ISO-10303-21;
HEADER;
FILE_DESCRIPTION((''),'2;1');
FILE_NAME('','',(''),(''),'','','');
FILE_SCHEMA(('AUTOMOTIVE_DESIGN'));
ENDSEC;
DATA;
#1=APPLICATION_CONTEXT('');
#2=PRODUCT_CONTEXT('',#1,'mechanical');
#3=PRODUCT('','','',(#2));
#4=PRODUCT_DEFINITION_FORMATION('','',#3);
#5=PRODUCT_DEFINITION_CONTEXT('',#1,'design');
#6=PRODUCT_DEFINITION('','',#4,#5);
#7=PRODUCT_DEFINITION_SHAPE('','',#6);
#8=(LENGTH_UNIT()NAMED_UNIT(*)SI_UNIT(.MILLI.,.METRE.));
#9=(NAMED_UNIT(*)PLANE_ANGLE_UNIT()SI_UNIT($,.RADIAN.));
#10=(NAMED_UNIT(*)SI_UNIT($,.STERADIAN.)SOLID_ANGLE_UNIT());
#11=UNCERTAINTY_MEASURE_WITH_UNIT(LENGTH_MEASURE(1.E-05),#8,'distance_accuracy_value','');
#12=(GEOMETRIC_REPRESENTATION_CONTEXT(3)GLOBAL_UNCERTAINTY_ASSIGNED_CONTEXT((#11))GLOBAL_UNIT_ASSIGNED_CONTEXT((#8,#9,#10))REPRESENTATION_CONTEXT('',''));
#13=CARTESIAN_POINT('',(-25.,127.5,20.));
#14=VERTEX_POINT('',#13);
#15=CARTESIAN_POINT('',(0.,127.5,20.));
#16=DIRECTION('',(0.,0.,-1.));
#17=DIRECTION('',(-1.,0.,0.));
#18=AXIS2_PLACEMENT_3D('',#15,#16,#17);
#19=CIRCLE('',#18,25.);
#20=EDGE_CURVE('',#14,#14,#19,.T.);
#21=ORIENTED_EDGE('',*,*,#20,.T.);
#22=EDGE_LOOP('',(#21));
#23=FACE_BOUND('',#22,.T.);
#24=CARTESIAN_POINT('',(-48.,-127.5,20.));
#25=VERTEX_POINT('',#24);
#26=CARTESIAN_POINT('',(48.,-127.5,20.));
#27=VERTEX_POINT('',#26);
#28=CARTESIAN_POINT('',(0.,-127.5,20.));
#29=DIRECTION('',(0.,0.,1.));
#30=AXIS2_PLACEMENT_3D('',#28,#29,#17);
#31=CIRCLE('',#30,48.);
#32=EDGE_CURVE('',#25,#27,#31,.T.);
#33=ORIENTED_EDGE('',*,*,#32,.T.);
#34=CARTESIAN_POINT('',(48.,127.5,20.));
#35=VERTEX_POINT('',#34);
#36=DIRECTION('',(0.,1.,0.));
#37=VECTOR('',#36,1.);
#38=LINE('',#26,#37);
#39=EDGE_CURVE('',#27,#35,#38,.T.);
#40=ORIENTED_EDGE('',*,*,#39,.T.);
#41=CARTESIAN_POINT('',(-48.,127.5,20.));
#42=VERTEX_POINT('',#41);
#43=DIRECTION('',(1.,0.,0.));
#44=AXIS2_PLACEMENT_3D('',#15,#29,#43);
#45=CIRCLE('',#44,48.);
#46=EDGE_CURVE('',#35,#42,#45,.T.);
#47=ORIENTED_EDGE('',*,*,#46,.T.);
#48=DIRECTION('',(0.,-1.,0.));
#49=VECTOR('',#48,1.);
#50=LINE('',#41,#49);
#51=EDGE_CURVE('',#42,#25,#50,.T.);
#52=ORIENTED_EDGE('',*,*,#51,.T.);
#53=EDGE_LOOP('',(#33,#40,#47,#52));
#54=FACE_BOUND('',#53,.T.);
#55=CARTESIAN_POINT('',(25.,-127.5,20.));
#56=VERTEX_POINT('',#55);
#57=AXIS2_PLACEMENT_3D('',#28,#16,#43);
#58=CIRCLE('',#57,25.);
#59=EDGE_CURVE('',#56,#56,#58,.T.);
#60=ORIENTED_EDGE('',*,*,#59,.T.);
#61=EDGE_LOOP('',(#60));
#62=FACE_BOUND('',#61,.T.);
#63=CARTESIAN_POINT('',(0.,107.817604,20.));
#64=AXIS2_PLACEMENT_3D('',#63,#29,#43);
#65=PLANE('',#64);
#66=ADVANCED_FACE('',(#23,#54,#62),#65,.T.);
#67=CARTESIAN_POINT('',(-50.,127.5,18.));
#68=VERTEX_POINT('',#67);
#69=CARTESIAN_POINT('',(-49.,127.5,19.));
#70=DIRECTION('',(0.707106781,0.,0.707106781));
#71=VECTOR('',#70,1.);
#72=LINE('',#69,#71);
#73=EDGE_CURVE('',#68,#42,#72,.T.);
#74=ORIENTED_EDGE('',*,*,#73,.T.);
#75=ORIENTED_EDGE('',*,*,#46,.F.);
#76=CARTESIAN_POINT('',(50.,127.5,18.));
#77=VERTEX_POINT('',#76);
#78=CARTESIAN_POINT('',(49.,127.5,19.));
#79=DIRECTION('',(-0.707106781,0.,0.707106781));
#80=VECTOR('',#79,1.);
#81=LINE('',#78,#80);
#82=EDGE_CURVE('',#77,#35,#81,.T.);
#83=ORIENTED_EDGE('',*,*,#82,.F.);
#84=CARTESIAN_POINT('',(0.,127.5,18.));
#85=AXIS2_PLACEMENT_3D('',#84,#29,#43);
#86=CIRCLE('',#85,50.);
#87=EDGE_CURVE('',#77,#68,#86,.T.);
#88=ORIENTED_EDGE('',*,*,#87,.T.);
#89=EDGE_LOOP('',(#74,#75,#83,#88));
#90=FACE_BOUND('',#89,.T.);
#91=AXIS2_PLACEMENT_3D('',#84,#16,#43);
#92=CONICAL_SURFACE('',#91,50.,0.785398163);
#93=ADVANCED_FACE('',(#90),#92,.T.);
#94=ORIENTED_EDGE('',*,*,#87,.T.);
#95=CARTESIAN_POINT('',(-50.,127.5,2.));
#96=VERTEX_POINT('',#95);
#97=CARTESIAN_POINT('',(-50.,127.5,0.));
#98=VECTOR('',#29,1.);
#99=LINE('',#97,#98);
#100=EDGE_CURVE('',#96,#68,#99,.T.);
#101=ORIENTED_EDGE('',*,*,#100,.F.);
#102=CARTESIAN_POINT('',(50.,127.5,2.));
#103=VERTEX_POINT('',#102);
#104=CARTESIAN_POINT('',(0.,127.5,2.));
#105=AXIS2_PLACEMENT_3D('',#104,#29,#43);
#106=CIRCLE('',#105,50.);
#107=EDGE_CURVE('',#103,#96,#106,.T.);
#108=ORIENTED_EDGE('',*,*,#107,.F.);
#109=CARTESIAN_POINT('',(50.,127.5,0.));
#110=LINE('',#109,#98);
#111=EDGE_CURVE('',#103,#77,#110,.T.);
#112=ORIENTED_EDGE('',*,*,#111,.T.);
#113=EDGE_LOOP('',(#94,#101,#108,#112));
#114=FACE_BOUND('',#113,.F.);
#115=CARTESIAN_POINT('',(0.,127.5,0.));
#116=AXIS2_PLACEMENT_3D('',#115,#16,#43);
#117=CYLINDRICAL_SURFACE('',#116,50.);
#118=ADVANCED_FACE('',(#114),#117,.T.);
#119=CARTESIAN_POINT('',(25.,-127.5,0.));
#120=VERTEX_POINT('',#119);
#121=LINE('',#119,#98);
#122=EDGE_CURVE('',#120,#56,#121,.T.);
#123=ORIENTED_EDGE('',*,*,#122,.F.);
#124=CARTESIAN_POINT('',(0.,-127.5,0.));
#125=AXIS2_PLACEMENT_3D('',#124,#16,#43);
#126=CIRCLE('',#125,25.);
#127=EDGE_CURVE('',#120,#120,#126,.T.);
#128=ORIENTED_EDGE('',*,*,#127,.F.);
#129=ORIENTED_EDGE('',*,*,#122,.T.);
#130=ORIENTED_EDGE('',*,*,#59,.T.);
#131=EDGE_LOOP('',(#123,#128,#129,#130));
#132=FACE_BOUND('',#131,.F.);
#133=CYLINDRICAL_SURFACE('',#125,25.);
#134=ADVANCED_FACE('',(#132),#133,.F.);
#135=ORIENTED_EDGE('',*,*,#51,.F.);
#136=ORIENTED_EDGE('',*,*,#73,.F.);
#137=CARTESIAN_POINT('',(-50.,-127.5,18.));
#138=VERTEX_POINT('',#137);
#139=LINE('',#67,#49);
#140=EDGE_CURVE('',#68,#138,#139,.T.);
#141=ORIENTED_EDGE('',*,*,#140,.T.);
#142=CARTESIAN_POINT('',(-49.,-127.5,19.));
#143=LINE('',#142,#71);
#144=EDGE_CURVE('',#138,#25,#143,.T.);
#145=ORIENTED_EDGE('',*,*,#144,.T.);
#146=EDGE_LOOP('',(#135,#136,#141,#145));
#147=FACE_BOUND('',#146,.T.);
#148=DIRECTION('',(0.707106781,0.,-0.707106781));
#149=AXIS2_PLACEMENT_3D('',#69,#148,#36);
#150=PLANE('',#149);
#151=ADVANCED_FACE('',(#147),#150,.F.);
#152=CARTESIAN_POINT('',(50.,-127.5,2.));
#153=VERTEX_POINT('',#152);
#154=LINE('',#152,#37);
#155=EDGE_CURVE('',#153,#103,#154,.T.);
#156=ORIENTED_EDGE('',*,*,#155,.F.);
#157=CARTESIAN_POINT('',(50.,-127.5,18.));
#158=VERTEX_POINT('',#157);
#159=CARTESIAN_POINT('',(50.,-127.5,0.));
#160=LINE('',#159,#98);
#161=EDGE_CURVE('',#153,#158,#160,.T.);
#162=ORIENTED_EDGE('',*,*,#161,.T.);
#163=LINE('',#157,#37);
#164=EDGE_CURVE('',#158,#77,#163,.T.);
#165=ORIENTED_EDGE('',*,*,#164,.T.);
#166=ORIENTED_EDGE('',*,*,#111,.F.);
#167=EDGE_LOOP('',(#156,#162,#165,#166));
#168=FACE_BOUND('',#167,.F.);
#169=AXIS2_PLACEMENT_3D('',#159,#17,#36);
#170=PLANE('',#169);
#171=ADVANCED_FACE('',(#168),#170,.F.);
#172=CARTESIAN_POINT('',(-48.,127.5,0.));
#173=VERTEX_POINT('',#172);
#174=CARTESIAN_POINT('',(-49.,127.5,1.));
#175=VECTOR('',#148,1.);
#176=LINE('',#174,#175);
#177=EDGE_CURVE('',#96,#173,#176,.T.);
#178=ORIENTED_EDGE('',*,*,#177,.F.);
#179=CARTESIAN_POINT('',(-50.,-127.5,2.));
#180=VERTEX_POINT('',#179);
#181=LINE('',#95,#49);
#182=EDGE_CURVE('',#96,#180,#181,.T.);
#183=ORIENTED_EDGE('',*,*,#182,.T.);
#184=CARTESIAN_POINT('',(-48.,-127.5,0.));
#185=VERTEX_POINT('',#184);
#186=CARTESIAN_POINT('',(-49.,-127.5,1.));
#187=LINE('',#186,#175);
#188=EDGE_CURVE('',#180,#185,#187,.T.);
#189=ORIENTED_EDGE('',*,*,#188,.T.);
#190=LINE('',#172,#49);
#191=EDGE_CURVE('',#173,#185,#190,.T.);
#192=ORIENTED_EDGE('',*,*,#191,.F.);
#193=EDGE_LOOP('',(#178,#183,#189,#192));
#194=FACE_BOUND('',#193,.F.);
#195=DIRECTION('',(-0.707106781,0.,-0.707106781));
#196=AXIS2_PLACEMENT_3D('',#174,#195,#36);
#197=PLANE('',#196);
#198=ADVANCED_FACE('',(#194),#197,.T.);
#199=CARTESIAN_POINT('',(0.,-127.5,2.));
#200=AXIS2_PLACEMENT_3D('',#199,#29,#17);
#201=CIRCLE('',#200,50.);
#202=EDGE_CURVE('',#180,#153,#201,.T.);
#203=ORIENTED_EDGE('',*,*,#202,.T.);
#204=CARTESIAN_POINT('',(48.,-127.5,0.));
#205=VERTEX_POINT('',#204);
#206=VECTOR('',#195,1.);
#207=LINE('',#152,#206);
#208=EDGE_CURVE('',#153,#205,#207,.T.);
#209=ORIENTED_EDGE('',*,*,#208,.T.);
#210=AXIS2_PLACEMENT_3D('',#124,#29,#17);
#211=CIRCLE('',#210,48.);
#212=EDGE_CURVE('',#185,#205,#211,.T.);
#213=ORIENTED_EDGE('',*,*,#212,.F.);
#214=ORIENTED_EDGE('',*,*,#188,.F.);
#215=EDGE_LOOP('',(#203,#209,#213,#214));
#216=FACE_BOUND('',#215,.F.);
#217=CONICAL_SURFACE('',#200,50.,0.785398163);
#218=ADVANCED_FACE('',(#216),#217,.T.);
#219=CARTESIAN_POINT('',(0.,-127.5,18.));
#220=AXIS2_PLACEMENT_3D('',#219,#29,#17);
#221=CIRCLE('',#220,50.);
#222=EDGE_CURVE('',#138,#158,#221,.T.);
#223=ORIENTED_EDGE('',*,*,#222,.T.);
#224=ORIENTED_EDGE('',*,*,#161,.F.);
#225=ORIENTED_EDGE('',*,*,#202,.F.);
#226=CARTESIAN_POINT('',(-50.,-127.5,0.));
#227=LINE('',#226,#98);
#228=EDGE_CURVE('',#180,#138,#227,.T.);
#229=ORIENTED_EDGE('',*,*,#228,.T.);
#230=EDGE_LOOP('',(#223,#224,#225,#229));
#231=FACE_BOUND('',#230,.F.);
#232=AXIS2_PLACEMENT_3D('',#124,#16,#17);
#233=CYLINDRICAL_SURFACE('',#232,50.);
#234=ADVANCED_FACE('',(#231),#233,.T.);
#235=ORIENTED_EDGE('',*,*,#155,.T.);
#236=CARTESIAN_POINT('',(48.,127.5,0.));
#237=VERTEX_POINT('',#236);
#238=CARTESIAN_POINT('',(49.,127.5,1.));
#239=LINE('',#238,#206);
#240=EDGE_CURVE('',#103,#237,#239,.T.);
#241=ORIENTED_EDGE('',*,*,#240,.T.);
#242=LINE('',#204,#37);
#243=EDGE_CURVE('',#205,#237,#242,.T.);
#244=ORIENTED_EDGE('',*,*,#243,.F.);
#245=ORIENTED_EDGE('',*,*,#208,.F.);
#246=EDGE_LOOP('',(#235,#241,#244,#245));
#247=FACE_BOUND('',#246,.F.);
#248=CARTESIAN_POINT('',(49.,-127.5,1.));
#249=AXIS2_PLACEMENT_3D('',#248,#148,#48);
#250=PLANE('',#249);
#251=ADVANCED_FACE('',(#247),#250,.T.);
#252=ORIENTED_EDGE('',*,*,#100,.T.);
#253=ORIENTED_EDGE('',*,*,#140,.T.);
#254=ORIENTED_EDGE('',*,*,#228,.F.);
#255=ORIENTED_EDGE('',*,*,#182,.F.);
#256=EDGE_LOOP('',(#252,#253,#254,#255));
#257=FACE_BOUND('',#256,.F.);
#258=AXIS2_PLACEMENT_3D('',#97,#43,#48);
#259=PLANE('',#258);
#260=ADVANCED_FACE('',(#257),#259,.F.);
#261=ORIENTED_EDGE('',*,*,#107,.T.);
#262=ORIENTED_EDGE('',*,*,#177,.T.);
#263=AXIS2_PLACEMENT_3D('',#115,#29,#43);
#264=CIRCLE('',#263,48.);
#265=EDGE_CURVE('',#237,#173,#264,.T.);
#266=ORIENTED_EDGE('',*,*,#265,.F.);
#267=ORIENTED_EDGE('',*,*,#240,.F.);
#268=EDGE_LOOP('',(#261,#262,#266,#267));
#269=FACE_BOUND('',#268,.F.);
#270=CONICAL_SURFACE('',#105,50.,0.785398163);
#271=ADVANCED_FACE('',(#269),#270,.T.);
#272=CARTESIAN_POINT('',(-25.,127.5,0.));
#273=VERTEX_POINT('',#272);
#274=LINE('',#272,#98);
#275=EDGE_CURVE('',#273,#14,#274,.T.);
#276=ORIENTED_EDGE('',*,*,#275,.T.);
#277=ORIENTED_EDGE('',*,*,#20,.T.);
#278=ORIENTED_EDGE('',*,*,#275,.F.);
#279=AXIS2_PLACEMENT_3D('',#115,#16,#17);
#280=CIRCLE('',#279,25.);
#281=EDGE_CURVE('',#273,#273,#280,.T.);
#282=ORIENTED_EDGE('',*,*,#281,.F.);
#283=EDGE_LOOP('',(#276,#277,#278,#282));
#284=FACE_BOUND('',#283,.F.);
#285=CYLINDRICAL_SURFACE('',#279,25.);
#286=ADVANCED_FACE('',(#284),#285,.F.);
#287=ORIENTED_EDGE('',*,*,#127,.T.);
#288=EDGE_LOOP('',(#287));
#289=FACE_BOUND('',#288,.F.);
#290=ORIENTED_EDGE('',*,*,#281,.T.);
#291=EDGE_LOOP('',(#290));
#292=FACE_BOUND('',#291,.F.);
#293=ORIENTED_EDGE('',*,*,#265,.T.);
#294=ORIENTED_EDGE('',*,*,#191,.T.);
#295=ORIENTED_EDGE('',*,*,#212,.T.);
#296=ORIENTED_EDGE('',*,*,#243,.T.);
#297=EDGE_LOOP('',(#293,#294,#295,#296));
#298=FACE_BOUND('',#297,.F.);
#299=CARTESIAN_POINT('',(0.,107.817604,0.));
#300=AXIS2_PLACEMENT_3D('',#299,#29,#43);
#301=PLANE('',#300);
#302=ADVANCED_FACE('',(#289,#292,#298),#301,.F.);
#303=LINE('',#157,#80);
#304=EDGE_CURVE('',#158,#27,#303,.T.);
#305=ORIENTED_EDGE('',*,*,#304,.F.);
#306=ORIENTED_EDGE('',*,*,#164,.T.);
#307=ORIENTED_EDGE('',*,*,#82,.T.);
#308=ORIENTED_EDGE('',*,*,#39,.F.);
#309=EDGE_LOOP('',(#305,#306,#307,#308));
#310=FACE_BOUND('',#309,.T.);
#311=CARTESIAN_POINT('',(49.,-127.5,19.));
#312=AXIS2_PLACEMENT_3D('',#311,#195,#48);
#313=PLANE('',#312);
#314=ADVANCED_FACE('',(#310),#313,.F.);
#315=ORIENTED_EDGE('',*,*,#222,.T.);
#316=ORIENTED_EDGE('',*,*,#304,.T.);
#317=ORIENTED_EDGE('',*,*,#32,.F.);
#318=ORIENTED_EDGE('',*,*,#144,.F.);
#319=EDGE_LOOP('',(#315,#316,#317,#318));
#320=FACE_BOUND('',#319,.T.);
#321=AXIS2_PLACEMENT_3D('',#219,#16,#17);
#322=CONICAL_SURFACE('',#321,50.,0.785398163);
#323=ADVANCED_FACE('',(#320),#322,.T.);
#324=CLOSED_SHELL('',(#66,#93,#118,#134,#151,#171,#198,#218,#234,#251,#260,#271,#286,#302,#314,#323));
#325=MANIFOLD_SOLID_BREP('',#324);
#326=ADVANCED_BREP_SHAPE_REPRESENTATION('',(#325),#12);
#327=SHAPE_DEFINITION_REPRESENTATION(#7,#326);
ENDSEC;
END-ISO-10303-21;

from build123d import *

# Parameters (mm, degrees)
F1_DEPTH = 20
F2_SIZE2 = 2
F2_SIZE  = 2


with BuildPart() as f1:
    # F0 (on Top) → F1 (new body)
    with BuildSketch(Plane.XY):
        with BuildLine():
            ThreePointArc((-50, 127.5), (0, 77.5), (50, 127.5))
            Line((50, 127.5), (25, 127.5))
            ThreePointArc((25, 127.5), (0, 102.5), (-25, 127.5))
            Line((-25, 127.5), (-50, 127.5))
        make_face()
        with BuildLine():
            Line((50, -127.5), (50, 127.5))
            ThreePointArc((50, 127.5), (0, 77.5), (-50, 127.5))
            Line((-50, 127.5), (-50, -127.5))
            ThreePointArc((-50, -127.5), (0, -77.5), (50, -127.5))
        make_face()
        with BuildLine():
            Line((25, 127.5), (50, 127.5))
            ThreePointArc((50, 127.5), (0, 177.5), (-50, 127.5))
            Line((-50, 127.5), (-25, 127.5))
            ThreePointArc((-25, 127.5), (0, 152.5), (25, 127.5))
        make_face()
        with BuildLine():
            ThreePointArc((-50, -127.5), (0, -177.5), (50, -127.5))
            Line((50, -127.5), (25, -127.5))
            ThreePointArc((25, -127.5), (0, -152.5), (-25, -127.5))
            Line((-25, -127.5), (-50, -127.5))
        make_face()
        with BuildLine():
            Line((25, -127.5), (50, -127.5))
            ThreePointArc((50, -127.5), (0, -77.5), (-50, -127.5))
            Line((-50, -127.5), (-25, -127.5))
            ThreePointArc((-25, -127.5), (0, -102.5), (25, -127.5))
        make_face()
    extrude(amount=F1_DEPTH)

    # F2
    f2_edges = [f1.edges().sort_by_distance(p)[0] for p in [
        (-50, 0, 20),
        (50, 0, 20),
        (-50, -127.5, 10),
        (-50, 0, 0),
        (-50, 127.5, 10),
        (50, 0, 0),
    ]]
    chamfer(f2_edges, length=F2_SIZE, length2=F2_SIZE2)


solid = f1.part
